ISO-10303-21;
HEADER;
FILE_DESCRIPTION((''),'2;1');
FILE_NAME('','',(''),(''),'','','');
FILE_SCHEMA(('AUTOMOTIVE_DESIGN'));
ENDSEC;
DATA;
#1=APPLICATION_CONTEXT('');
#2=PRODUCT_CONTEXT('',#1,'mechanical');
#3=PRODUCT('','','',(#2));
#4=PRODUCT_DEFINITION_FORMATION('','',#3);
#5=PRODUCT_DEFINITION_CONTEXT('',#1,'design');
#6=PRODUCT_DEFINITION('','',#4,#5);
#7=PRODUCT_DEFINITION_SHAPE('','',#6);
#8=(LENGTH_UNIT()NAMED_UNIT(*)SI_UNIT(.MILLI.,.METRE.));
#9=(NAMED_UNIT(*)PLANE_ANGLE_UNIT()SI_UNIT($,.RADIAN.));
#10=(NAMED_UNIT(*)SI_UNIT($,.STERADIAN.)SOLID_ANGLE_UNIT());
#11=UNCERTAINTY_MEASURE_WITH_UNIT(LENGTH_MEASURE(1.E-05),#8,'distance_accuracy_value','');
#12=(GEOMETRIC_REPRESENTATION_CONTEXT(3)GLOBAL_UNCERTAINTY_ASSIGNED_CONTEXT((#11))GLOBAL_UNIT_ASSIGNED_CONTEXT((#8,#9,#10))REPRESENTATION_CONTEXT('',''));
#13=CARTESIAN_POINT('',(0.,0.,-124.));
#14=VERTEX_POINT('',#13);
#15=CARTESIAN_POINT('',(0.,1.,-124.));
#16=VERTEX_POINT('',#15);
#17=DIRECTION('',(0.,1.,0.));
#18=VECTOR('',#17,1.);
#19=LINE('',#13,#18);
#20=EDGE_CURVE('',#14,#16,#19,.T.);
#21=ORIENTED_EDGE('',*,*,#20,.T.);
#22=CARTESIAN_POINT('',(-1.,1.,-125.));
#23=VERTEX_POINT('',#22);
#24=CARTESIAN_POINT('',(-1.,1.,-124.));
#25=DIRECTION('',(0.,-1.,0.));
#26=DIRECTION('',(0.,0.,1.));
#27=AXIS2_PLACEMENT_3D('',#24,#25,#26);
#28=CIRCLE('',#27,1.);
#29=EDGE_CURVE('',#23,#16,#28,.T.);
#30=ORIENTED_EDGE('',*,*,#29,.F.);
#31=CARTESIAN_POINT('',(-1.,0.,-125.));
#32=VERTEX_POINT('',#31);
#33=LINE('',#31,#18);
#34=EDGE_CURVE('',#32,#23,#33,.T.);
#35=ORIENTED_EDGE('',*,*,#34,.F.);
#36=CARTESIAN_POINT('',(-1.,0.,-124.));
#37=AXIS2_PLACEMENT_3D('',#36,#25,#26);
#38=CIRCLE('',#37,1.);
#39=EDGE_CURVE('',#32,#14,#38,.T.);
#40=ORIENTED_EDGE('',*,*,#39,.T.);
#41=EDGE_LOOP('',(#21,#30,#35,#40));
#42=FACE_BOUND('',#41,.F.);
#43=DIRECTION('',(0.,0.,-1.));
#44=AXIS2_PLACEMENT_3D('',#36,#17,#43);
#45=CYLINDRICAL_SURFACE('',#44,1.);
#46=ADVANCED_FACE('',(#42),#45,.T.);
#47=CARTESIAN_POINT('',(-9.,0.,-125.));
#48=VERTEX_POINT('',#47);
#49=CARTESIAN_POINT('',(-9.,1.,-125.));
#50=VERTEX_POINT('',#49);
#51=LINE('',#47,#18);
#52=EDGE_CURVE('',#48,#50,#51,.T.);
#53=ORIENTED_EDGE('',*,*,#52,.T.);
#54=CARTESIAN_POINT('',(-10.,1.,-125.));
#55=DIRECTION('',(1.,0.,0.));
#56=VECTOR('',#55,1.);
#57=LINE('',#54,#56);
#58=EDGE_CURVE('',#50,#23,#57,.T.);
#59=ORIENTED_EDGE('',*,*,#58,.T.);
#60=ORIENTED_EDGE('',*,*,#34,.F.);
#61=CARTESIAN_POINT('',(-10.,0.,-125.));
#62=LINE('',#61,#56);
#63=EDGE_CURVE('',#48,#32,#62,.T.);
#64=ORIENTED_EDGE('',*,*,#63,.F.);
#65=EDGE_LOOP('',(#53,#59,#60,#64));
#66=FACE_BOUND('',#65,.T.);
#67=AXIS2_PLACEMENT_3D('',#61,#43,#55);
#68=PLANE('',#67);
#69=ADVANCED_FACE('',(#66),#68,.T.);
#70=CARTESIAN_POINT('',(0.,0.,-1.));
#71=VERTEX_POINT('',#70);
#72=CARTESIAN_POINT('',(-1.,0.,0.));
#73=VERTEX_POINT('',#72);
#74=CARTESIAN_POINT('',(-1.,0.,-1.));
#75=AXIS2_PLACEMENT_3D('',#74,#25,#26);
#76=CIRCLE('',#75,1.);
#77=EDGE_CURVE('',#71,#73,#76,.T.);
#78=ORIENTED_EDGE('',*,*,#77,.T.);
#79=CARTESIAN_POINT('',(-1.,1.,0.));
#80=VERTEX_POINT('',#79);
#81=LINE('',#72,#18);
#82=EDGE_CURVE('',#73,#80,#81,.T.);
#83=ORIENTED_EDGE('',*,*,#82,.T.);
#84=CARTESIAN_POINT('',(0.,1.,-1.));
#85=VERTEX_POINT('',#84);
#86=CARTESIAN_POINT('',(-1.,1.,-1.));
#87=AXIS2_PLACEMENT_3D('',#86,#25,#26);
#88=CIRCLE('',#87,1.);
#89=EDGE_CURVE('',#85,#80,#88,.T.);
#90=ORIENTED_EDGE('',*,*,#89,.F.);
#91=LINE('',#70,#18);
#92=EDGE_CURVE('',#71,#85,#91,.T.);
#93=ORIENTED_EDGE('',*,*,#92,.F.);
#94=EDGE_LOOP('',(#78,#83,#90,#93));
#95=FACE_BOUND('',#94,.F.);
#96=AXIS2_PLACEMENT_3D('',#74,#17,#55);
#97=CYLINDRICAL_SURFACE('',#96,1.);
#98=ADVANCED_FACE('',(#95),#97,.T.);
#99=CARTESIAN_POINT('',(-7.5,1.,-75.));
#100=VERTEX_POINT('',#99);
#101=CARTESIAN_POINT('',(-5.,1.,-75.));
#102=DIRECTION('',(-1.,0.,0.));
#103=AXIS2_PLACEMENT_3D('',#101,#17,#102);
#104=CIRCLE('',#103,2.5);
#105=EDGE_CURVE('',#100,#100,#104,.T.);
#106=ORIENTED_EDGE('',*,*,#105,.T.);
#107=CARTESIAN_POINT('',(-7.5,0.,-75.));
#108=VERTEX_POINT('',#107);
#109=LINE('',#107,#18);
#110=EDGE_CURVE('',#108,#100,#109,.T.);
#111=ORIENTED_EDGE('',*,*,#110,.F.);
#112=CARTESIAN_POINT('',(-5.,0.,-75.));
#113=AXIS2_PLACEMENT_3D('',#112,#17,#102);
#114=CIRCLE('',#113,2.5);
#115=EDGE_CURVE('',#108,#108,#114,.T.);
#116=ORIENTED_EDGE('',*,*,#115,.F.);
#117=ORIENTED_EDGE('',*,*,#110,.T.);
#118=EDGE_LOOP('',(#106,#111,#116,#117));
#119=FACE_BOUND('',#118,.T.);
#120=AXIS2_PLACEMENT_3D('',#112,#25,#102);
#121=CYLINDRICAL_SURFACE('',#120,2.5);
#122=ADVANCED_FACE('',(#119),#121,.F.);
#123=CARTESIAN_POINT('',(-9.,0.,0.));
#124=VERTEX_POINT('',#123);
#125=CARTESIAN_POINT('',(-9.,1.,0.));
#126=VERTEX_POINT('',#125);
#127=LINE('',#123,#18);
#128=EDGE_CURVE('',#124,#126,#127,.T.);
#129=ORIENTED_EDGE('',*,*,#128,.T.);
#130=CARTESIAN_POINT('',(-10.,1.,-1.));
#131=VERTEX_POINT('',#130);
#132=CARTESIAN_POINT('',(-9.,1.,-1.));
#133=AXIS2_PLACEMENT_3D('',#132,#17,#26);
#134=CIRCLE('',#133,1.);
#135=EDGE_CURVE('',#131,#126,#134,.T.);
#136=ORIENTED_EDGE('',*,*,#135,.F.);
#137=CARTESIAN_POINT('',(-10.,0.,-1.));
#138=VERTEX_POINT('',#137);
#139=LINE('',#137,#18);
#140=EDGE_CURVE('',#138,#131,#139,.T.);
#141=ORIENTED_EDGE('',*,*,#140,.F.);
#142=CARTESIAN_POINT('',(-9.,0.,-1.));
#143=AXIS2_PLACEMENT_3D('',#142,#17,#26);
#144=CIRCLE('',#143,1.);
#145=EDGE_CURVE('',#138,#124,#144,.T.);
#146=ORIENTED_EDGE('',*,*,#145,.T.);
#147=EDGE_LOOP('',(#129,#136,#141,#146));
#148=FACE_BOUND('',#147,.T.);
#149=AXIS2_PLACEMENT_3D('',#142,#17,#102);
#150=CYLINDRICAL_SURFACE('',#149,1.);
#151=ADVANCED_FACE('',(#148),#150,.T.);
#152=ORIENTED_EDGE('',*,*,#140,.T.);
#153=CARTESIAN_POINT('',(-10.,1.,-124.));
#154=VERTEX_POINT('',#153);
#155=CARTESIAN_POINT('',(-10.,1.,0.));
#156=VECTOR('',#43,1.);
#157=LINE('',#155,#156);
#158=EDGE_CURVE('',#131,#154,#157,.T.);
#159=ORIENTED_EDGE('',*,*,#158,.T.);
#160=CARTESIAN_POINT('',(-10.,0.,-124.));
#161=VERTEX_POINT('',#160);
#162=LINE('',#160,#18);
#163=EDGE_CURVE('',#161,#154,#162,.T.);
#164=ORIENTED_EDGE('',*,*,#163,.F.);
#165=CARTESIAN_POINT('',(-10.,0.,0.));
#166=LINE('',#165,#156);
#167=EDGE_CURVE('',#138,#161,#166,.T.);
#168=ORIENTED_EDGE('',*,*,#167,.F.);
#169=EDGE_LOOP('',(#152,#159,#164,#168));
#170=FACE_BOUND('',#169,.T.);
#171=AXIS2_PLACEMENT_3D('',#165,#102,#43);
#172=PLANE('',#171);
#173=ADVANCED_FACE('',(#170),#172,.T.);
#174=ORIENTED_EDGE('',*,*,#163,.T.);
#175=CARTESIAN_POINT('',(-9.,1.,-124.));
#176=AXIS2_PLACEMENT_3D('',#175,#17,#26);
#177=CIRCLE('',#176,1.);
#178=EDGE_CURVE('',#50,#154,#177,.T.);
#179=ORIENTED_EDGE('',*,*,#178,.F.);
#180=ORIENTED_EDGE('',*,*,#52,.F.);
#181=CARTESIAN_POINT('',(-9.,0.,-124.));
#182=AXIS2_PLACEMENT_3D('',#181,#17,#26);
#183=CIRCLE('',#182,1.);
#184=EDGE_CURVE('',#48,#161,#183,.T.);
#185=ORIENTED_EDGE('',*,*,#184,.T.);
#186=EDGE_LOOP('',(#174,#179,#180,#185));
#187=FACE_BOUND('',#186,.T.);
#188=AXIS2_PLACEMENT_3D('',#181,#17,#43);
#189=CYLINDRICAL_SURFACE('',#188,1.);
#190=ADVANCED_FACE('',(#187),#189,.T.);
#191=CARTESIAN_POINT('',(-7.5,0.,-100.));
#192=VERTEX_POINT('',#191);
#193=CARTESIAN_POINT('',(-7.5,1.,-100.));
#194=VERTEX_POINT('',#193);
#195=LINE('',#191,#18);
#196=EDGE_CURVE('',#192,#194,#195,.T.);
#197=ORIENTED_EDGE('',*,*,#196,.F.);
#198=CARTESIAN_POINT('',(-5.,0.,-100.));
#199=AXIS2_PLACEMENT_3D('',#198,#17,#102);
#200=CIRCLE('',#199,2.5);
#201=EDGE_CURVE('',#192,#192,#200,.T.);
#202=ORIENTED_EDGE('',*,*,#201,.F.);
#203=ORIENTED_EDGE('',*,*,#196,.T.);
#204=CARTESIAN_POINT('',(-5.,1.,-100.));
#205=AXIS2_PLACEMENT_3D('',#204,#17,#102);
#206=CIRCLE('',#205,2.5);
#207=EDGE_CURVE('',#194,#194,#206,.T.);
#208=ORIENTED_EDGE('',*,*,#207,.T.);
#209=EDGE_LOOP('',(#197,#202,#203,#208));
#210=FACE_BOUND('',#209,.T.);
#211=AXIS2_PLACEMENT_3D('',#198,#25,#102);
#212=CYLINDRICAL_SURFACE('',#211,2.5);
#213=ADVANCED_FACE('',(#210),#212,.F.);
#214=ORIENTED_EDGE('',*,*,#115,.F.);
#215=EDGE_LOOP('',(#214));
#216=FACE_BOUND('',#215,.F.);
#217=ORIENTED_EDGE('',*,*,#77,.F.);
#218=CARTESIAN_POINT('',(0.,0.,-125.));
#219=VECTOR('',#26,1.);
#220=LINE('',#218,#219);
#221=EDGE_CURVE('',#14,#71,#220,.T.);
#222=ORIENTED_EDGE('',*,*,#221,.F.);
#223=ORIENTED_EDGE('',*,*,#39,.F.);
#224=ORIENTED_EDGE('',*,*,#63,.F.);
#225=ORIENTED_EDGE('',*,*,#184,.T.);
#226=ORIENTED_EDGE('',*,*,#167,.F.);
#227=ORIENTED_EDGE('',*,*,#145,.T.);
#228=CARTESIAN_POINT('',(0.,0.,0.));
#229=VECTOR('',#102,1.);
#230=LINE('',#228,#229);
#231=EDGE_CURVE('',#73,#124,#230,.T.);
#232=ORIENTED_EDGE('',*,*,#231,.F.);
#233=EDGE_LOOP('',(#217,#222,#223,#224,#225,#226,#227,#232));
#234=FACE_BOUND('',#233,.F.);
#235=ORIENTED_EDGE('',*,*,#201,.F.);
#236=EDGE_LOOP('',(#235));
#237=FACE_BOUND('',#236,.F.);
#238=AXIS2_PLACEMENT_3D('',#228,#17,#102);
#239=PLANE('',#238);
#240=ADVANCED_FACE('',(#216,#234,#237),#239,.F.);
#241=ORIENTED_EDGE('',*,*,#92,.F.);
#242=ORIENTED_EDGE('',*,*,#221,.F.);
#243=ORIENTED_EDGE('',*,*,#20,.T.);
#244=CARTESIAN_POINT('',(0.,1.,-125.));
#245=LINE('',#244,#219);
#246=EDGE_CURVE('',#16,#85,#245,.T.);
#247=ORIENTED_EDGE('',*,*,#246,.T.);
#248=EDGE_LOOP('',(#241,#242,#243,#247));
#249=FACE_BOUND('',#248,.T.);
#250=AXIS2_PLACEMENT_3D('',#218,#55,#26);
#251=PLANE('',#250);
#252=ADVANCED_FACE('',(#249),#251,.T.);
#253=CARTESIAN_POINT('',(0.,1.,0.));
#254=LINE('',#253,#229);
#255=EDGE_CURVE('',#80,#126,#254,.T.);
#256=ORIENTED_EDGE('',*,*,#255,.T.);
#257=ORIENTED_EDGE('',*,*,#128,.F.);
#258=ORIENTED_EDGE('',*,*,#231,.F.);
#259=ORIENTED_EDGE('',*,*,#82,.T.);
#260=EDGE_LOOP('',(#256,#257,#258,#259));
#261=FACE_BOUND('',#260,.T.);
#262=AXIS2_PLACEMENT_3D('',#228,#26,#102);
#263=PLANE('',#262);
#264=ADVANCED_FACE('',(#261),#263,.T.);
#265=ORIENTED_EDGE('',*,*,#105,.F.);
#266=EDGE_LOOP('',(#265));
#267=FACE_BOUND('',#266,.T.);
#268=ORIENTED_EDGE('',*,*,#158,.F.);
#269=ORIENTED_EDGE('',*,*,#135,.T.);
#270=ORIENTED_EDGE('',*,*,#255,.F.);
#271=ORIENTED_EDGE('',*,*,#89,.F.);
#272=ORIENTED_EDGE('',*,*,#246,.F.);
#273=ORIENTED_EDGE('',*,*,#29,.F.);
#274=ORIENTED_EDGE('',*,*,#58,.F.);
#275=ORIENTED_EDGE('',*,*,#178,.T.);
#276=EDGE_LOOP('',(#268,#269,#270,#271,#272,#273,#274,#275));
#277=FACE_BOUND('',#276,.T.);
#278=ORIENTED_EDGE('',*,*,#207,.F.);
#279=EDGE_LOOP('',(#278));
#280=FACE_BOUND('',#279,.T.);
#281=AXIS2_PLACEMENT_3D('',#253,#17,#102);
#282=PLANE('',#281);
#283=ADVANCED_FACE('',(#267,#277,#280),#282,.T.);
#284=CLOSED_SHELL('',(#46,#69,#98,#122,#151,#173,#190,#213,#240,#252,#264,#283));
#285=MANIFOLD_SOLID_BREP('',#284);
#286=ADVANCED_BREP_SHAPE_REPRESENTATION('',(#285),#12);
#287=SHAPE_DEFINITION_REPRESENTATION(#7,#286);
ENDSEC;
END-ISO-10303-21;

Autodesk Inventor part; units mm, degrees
ref_plane "YZ Plane" through (0, 0, 0) normal (1, 0, 0) x (0, 1, 0)
ref_plane "XZ Plane" through (0, 0, 0) normal (0, 1, 0) x (-1, 0, 0)
ref_plane "XY Plane" through (0, 0, 0) normal (0, 0, 1) x (1, 0, 0)
sketch "Sketch1" plane through (0, 0, 0) normal (0, 1, 0) x (-1, 0, 0)
  line L0 (0, 0) -> (10, 0)
  line L1 (10, 0) -> (10, -125)
  line L2 (10, -125) -> (0, -125)
  line L3 (0, -125) -> (0, 0)
  line L4 (27.7651, -45) -> (-20.7182, -45) construction
  circle A0 centre (5, -100) radius 2.5
  circle A1 centre (5, -75) radius 2.5
  point P0 (5, -13.5)
  dimension "d0" = 125
  dimension "d1" = 10
  dimension "d2" = 25
  dimension "d3" = 25
  dimension "d4" = 80
  dimension "d7" = 5
  dimension "d9" = 5
  dimension "d11" = 31.5
extrude "Extrusion1" add sketch "Sketch1" along normal blind 1
fillet "Fillet1" radius 1 1 edges at (0, 0.5, -125)
fillet "Fillet2" radius 1 3 edges at (0, 0.5, 0) (-10, 0.5, 0) (-10, 0.5, -125)
properties part number "ConnectorStrip"
